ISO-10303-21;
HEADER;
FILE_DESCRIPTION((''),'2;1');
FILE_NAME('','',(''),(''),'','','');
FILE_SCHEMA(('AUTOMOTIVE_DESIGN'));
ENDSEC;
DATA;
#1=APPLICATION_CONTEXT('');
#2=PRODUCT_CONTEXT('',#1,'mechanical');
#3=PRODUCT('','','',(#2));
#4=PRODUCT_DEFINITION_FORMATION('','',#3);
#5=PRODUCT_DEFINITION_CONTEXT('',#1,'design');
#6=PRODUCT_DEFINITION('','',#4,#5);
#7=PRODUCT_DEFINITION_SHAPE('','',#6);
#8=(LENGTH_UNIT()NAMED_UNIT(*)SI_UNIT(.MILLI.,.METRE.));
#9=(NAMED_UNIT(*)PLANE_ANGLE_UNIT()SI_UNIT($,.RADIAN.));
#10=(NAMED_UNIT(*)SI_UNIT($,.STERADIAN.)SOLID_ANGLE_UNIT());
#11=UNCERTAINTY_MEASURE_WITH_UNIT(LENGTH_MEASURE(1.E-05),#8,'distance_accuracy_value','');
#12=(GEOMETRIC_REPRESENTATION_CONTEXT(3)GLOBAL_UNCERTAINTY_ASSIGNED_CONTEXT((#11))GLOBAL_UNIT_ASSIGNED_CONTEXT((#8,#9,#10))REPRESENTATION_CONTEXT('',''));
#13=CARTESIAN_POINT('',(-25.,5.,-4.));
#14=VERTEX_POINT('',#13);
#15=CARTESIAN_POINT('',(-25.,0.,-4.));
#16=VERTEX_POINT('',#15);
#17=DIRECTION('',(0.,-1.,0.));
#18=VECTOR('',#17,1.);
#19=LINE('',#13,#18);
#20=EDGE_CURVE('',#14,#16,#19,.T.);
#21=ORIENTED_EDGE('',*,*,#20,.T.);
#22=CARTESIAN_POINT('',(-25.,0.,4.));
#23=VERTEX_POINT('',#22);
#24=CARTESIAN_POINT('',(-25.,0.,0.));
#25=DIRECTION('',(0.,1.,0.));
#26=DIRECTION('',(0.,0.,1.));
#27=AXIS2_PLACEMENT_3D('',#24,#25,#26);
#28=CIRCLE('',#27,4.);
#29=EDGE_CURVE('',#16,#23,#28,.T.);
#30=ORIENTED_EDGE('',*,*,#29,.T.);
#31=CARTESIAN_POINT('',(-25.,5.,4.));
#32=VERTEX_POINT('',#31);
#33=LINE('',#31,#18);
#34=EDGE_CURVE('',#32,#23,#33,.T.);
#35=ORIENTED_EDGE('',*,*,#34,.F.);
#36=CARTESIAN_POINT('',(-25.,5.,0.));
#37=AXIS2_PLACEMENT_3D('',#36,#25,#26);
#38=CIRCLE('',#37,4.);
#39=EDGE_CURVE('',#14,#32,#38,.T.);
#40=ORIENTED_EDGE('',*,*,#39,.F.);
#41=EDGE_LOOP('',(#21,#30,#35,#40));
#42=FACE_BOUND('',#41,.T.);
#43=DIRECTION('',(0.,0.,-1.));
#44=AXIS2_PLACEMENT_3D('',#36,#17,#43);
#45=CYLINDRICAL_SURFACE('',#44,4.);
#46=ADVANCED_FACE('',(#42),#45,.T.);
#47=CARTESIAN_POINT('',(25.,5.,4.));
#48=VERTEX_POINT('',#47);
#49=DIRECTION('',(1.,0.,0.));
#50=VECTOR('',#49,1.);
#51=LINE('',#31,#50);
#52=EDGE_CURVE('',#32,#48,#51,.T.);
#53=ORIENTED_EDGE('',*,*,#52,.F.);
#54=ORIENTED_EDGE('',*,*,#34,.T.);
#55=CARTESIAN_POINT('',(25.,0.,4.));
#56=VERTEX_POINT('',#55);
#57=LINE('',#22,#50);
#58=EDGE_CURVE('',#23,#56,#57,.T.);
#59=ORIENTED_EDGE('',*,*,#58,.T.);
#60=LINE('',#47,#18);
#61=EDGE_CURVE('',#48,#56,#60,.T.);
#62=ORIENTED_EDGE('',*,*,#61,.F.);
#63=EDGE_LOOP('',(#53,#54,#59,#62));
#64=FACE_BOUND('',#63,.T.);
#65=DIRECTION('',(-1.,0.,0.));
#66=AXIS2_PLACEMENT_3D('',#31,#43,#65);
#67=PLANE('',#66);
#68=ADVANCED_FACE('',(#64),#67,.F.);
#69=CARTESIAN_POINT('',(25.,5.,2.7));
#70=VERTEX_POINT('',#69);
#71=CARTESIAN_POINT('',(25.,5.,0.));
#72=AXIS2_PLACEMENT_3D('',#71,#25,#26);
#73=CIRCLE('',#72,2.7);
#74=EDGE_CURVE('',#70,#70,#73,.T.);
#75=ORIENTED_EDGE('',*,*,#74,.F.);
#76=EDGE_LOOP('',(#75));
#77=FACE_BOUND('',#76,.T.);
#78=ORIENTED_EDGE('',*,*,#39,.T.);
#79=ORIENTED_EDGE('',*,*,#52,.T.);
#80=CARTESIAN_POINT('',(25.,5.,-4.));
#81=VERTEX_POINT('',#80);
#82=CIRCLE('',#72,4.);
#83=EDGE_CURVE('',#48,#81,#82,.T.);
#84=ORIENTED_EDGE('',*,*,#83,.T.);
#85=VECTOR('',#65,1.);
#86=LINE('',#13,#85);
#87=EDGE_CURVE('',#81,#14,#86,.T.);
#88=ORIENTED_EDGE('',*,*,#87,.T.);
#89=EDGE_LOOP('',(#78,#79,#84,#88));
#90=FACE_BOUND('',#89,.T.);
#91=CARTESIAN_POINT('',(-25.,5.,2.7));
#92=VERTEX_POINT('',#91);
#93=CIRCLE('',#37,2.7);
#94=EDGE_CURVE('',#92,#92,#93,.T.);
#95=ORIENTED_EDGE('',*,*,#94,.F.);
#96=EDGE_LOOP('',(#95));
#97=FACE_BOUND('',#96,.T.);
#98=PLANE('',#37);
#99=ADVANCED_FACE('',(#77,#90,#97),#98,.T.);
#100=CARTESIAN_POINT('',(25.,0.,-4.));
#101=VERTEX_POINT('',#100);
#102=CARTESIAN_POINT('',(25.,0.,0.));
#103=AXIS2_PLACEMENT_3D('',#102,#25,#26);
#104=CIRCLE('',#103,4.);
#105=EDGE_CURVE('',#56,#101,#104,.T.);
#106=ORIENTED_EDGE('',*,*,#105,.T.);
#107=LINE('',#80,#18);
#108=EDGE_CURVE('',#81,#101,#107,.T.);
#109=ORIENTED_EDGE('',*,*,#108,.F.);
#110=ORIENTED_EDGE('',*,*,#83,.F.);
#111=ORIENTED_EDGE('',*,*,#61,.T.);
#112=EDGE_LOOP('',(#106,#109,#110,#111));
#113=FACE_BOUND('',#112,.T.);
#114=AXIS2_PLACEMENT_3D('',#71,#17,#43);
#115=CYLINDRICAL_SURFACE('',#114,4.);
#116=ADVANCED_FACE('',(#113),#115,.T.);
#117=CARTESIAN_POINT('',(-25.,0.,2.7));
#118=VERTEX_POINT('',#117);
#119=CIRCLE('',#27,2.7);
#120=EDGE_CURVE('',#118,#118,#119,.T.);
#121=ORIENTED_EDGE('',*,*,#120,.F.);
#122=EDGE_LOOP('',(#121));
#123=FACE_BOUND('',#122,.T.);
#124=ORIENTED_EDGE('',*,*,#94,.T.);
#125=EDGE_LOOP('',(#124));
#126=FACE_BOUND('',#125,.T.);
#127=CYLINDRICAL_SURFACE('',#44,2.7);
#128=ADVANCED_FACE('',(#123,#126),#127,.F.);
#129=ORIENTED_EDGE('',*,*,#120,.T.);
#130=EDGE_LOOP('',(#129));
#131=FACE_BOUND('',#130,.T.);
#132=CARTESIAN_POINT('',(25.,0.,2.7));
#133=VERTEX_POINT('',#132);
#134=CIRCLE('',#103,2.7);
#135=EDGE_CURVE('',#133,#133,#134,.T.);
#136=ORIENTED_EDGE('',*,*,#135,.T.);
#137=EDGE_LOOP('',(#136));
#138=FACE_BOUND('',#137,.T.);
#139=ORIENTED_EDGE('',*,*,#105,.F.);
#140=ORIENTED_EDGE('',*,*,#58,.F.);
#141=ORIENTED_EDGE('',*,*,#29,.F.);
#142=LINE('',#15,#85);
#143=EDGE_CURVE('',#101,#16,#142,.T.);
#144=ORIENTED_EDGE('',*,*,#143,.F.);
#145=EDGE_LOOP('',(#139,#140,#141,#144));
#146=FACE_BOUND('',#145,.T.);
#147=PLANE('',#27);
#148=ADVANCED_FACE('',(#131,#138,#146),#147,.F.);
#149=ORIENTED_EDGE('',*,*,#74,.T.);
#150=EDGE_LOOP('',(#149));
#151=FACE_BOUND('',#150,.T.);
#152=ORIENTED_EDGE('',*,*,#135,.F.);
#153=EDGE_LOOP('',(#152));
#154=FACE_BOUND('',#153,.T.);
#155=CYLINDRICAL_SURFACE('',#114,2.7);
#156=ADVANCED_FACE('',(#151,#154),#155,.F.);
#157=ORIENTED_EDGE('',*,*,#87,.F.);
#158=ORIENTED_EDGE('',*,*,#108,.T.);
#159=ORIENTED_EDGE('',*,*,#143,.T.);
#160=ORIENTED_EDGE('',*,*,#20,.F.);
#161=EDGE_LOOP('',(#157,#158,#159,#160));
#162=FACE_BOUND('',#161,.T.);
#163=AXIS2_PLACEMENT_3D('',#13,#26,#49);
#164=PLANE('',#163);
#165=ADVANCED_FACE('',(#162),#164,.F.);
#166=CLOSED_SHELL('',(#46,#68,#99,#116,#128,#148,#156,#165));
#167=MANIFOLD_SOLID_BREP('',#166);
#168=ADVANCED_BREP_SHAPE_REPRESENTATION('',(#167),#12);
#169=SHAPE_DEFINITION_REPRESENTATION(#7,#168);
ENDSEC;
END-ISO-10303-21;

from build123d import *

# Parameters (mm, degrees)
SKETCH1_R           = 2.7
BOSS_EXTRUDE1_DEPTH = 5


with BuildPart() as part:
    # Sketch1 → Boss-Extrude1 (new body)
    with BuildSketch(Plane(origin=(0, 0, 0), x_dir=(1, 0, 0), z_dir=(0, 1, 0))):
        with BuildLine():
            Line((-25, 4), (25, 4))
            ThreePointArc((25, 4), (29, 0), (25, -4))
            Line((25, -4), (-25, -4))
            ThreePointArc((-25, -4), (-29, 0), (-25, 4))
        make_face()
        with Locations((-25, 0)):
            Circle(SKETCH1_R, mode=Mode.SUBTRACT)
        with Locations((25, 0)):
            Circle(SKETCH1_R, mode=Mode.SUBTRACT)
    extrude(amount=BOSS_EXTRUDE1_DEPTH)


solid = part.part
